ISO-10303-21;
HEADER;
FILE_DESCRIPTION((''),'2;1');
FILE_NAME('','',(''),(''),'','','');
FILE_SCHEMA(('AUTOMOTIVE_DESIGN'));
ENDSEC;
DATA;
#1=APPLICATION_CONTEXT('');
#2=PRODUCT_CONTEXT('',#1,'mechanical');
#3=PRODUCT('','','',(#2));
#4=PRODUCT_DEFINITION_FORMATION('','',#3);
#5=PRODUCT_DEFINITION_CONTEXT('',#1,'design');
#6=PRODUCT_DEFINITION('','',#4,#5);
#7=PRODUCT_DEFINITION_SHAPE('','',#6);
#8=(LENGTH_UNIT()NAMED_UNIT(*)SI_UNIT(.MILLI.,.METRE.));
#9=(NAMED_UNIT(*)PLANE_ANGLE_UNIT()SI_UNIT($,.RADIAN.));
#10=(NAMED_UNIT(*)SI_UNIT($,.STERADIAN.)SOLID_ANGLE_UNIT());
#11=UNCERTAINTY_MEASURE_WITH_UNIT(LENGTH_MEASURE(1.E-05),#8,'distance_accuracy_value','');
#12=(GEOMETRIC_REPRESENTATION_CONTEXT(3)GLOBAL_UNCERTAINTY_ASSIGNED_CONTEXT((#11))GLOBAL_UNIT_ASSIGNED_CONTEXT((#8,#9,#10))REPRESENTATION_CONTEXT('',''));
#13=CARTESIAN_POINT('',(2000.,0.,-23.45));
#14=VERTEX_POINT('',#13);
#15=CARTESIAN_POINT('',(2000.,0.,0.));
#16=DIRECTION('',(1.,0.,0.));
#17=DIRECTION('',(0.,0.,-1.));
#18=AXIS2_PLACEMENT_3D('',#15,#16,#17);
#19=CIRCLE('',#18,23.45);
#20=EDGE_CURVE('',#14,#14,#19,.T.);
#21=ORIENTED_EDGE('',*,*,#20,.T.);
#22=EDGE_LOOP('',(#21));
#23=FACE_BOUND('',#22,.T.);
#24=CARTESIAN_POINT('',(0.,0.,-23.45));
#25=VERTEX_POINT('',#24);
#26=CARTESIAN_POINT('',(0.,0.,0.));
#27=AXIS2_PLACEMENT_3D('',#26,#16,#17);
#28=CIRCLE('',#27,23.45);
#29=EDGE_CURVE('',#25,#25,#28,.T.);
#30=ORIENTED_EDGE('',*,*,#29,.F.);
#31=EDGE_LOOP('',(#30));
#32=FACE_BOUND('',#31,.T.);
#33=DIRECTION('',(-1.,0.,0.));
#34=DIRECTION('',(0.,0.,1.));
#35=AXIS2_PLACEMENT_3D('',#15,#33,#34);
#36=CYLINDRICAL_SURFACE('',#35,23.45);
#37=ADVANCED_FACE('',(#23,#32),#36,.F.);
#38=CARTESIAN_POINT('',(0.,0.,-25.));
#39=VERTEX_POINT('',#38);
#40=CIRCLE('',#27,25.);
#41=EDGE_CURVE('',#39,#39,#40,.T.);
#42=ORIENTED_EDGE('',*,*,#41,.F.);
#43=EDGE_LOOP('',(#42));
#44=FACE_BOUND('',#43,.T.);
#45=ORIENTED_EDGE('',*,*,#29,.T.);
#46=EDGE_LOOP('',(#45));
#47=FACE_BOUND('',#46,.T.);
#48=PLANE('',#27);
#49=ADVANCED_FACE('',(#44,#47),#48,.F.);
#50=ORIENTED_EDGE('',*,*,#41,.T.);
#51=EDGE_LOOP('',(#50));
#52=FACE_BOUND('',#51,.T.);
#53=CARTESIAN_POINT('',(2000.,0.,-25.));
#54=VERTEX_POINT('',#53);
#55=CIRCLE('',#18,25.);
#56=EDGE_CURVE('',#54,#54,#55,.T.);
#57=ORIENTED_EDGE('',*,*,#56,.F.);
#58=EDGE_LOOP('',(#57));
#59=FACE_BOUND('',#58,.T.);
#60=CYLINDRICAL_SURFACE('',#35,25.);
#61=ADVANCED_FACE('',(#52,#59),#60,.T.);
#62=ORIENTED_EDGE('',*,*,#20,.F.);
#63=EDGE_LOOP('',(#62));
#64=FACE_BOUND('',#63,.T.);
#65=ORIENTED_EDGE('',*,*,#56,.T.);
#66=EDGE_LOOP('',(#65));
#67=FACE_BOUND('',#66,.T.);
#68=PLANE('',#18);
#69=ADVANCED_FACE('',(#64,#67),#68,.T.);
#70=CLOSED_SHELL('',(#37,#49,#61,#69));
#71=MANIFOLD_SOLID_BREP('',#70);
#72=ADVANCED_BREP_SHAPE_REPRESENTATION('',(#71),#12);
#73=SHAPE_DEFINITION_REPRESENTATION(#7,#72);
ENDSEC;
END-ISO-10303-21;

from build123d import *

# Parameters (mm, degrees)
SKETCH_1_R      = 25
SKETCH_1_R_2    = 23.45
EXTRUDE_1_DEPTH = 2000


with BuildPart() as part:
    # Эскиз1 → Бобышка-Вытянуть1 (new body)
    with BuildSketch(Plane(origin=(0, 0, 0), x_dir=(0, 0, -1), z_dir=(1, 0, 0))):
        Circle(SKETCH_1_R)
        Circle(SKETCH_1_R_2, mode=Mode.SUBTRACT)
    extrude(amount=EXTRUDE_1_DEPTH)


solid = part.part
